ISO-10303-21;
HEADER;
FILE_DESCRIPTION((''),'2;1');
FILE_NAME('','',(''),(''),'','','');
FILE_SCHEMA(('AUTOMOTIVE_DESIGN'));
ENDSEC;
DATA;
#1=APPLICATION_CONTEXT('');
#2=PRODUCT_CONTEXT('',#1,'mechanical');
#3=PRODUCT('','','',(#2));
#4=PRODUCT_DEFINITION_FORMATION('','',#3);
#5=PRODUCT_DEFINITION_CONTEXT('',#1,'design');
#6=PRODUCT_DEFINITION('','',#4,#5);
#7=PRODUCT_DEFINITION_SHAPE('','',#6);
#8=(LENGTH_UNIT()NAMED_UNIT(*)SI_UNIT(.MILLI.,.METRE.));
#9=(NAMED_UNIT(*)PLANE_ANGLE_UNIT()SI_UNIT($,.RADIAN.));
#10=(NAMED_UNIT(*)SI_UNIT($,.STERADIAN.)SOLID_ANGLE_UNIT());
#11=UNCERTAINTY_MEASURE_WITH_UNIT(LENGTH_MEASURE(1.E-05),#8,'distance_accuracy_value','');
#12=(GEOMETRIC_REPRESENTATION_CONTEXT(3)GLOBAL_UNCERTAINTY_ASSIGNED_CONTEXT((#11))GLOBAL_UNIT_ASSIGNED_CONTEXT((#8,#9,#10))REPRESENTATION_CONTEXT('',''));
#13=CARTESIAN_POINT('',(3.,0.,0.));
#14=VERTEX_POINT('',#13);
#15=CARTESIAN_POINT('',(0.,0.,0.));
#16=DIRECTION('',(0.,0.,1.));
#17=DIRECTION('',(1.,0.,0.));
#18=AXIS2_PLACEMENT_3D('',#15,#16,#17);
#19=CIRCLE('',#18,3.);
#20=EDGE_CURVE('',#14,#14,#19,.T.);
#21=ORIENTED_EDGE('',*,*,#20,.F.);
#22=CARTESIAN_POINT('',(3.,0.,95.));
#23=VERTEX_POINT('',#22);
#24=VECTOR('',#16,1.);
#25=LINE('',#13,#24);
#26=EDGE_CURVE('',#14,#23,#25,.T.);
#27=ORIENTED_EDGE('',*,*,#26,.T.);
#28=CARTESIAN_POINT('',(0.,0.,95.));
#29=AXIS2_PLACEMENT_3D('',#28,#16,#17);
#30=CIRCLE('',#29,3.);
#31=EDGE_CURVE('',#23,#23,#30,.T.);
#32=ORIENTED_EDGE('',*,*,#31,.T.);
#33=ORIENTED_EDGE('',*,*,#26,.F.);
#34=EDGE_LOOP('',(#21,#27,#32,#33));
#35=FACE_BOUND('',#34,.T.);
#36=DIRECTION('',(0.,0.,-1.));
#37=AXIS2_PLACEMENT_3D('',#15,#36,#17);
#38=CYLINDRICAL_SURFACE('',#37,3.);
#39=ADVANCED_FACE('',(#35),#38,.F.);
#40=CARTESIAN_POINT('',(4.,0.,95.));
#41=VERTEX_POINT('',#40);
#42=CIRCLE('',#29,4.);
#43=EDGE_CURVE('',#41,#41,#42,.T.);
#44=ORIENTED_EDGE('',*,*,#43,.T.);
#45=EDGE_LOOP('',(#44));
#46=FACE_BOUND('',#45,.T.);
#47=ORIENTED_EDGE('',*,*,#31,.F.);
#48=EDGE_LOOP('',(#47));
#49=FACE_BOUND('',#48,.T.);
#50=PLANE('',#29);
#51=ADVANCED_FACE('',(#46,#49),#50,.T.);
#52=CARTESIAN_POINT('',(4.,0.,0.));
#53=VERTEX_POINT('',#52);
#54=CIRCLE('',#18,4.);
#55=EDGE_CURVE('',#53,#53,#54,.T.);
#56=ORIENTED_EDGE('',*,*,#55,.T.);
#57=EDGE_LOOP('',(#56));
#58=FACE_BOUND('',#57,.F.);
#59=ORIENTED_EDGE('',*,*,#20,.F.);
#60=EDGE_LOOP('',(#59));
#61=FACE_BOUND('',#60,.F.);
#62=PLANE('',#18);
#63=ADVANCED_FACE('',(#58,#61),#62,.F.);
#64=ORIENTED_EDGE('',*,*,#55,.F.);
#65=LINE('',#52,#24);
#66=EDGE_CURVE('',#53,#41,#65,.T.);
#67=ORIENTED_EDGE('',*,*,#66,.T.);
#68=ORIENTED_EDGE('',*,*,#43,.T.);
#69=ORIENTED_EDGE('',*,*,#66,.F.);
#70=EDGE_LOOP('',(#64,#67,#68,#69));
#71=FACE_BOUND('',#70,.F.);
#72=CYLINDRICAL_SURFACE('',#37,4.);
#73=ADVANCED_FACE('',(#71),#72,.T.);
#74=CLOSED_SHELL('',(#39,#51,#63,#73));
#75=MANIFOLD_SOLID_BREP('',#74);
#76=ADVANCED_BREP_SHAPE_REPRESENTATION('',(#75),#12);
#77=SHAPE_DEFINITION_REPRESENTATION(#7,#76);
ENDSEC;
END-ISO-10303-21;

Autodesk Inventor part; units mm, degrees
ref_plane "YZ Plane" through (0, 0, 0) normal (1, 0, 0) x (0, 1, 0)
ref_plane "XZ Plane" through (0, 0, 0) normal (0, 1, 0) x (-1, 0, 0)
ref_plane "XY Plane" through (0, 0, 0) normal (0, 0, 1) x (1, 0, 0)
sketch "Esquisse1" plane through (0, 0, 0) normal (0, 0, 1) x (1, 0, 0)
  circle A0 centre (0, 0) radius 4
  circle A1 centre (0, 0) radius 3
  dimension "d0" = 8
  dimension "d1" = 1
extrude "Extrusion1" add sketch "Esquisse1" along normal blind 95
properties part number "Tube alu" material "Aluminium 6061-AHC"
